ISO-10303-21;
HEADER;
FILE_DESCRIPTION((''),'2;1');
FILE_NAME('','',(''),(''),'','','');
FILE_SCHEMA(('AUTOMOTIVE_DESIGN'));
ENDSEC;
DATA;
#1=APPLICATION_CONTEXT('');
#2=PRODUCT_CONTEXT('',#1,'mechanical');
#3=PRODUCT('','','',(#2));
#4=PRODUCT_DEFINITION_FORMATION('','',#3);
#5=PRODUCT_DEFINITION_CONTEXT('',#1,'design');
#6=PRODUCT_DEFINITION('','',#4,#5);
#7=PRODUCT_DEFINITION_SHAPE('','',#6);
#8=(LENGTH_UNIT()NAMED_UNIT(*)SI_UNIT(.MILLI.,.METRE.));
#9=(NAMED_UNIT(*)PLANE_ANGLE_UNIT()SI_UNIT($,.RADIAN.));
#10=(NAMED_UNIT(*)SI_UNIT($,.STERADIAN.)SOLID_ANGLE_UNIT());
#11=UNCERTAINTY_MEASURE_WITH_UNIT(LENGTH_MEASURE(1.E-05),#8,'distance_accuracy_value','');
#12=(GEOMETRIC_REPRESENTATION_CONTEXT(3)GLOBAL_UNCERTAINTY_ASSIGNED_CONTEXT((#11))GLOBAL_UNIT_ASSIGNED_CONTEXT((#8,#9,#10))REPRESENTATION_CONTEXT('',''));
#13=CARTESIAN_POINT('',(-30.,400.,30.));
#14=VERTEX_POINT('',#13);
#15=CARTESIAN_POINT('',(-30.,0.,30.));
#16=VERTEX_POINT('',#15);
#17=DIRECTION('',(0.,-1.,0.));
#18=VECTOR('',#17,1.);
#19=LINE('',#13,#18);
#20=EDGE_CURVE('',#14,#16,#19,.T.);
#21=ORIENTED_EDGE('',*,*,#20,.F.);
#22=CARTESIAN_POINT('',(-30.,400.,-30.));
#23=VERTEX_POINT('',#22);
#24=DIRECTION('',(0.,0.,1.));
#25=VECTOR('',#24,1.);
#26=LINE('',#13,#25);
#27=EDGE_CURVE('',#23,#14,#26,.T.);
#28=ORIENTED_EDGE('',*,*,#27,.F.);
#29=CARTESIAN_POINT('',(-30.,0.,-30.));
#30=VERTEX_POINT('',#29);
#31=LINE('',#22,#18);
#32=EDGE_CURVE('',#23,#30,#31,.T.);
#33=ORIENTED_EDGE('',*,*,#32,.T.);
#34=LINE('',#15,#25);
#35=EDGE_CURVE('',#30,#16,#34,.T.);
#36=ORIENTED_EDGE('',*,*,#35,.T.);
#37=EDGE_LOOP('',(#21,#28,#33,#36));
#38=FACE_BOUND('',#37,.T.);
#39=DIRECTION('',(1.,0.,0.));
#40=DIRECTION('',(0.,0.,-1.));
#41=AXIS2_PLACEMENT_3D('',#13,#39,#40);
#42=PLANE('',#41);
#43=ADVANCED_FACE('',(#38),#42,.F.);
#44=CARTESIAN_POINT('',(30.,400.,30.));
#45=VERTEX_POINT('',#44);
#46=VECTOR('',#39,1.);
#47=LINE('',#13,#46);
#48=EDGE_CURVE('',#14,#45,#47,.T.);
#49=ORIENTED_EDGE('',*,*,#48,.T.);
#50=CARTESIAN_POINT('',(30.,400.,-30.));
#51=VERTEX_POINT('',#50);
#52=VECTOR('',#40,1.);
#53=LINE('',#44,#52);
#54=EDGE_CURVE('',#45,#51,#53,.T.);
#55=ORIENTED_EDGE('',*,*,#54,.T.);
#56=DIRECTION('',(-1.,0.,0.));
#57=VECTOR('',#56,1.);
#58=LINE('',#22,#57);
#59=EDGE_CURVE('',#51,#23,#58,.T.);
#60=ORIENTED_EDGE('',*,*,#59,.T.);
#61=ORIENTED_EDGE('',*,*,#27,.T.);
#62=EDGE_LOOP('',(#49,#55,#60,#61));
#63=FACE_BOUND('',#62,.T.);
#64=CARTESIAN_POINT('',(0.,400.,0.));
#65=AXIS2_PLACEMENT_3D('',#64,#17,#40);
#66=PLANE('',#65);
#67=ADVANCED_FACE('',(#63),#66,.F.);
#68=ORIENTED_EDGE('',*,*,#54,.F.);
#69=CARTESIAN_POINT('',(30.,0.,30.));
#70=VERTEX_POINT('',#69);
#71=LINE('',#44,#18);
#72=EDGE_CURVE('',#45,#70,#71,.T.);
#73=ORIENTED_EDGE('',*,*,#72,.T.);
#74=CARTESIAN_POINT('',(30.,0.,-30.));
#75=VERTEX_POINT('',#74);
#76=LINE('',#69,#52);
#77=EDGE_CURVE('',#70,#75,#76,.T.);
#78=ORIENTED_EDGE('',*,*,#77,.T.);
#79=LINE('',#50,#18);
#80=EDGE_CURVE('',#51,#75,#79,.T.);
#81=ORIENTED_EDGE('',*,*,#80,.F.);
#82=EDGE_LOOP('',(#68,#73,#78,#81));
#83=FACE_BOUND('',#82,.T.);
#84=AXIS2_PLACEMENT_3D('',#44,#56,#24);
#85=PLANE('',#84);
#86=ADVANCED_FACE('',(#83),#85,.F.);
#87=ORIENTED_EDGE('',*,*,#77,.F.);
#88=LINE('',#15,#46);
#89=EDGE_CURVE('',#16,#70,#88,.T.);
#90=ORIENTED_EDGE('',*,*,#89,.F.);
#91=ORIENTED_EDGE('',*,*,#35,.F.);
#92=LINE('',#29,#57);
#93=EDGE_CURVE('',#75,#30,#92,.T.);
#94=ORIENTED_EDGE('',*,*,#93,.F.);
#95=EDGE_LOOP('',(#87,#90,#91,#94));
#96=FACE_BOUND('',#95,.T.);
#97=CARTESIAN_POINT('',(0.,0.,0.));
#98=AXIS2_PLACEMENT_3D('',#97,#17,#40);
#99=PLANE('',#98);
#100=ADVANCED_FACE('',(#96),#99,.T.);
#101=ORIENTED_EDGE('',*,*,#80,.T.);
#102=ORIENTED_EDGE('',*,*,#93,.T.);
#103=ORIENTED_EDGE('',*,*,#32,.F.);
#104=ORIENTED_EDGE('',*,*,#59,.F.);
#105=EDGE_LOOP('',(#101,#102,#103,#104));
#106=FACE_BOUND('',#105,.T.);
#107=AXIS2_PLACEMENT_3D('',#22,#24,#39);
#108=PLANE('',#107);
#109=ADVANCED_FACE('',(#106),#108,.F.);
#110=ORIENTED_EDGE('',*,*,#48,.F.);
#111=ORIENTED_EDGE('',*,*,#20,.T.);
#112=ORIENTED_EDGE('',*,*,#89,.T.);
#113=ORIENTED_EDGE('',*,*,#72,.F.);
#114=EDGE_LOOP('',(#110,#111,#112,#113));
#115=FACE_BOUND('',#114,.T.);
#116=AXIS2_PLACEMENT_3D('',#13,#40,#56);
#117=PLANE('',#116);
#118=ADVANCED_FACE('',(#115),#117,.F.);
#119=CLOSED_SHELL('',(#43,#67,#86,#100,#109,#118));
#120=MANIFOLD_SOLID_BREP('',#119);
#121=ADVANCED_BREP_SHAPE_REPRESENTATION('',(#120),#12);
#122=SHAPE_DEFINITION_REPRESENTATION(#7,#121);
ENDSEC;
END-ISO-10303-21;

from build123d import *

# Parameters (mm, degrees)
SKETCH1_W           = 60
SKETCH1_H           = 60
BOSS_EXTRUDE1_DEPTH = 400


with BuildPart() as part:
    # Sketch1 → Boss-Extrude1 (new body)
    with BuildSketch(Plane(origin=(0, 0, 0), x_dir=(1, 0, 0), z_dir=(0, 1, 0))):
        Rectangle(SKETCH1_W, SKETCH1_H)
    extrude(amount=BOSS_EXTRUDE1_DEPTH)


solid = part.part
